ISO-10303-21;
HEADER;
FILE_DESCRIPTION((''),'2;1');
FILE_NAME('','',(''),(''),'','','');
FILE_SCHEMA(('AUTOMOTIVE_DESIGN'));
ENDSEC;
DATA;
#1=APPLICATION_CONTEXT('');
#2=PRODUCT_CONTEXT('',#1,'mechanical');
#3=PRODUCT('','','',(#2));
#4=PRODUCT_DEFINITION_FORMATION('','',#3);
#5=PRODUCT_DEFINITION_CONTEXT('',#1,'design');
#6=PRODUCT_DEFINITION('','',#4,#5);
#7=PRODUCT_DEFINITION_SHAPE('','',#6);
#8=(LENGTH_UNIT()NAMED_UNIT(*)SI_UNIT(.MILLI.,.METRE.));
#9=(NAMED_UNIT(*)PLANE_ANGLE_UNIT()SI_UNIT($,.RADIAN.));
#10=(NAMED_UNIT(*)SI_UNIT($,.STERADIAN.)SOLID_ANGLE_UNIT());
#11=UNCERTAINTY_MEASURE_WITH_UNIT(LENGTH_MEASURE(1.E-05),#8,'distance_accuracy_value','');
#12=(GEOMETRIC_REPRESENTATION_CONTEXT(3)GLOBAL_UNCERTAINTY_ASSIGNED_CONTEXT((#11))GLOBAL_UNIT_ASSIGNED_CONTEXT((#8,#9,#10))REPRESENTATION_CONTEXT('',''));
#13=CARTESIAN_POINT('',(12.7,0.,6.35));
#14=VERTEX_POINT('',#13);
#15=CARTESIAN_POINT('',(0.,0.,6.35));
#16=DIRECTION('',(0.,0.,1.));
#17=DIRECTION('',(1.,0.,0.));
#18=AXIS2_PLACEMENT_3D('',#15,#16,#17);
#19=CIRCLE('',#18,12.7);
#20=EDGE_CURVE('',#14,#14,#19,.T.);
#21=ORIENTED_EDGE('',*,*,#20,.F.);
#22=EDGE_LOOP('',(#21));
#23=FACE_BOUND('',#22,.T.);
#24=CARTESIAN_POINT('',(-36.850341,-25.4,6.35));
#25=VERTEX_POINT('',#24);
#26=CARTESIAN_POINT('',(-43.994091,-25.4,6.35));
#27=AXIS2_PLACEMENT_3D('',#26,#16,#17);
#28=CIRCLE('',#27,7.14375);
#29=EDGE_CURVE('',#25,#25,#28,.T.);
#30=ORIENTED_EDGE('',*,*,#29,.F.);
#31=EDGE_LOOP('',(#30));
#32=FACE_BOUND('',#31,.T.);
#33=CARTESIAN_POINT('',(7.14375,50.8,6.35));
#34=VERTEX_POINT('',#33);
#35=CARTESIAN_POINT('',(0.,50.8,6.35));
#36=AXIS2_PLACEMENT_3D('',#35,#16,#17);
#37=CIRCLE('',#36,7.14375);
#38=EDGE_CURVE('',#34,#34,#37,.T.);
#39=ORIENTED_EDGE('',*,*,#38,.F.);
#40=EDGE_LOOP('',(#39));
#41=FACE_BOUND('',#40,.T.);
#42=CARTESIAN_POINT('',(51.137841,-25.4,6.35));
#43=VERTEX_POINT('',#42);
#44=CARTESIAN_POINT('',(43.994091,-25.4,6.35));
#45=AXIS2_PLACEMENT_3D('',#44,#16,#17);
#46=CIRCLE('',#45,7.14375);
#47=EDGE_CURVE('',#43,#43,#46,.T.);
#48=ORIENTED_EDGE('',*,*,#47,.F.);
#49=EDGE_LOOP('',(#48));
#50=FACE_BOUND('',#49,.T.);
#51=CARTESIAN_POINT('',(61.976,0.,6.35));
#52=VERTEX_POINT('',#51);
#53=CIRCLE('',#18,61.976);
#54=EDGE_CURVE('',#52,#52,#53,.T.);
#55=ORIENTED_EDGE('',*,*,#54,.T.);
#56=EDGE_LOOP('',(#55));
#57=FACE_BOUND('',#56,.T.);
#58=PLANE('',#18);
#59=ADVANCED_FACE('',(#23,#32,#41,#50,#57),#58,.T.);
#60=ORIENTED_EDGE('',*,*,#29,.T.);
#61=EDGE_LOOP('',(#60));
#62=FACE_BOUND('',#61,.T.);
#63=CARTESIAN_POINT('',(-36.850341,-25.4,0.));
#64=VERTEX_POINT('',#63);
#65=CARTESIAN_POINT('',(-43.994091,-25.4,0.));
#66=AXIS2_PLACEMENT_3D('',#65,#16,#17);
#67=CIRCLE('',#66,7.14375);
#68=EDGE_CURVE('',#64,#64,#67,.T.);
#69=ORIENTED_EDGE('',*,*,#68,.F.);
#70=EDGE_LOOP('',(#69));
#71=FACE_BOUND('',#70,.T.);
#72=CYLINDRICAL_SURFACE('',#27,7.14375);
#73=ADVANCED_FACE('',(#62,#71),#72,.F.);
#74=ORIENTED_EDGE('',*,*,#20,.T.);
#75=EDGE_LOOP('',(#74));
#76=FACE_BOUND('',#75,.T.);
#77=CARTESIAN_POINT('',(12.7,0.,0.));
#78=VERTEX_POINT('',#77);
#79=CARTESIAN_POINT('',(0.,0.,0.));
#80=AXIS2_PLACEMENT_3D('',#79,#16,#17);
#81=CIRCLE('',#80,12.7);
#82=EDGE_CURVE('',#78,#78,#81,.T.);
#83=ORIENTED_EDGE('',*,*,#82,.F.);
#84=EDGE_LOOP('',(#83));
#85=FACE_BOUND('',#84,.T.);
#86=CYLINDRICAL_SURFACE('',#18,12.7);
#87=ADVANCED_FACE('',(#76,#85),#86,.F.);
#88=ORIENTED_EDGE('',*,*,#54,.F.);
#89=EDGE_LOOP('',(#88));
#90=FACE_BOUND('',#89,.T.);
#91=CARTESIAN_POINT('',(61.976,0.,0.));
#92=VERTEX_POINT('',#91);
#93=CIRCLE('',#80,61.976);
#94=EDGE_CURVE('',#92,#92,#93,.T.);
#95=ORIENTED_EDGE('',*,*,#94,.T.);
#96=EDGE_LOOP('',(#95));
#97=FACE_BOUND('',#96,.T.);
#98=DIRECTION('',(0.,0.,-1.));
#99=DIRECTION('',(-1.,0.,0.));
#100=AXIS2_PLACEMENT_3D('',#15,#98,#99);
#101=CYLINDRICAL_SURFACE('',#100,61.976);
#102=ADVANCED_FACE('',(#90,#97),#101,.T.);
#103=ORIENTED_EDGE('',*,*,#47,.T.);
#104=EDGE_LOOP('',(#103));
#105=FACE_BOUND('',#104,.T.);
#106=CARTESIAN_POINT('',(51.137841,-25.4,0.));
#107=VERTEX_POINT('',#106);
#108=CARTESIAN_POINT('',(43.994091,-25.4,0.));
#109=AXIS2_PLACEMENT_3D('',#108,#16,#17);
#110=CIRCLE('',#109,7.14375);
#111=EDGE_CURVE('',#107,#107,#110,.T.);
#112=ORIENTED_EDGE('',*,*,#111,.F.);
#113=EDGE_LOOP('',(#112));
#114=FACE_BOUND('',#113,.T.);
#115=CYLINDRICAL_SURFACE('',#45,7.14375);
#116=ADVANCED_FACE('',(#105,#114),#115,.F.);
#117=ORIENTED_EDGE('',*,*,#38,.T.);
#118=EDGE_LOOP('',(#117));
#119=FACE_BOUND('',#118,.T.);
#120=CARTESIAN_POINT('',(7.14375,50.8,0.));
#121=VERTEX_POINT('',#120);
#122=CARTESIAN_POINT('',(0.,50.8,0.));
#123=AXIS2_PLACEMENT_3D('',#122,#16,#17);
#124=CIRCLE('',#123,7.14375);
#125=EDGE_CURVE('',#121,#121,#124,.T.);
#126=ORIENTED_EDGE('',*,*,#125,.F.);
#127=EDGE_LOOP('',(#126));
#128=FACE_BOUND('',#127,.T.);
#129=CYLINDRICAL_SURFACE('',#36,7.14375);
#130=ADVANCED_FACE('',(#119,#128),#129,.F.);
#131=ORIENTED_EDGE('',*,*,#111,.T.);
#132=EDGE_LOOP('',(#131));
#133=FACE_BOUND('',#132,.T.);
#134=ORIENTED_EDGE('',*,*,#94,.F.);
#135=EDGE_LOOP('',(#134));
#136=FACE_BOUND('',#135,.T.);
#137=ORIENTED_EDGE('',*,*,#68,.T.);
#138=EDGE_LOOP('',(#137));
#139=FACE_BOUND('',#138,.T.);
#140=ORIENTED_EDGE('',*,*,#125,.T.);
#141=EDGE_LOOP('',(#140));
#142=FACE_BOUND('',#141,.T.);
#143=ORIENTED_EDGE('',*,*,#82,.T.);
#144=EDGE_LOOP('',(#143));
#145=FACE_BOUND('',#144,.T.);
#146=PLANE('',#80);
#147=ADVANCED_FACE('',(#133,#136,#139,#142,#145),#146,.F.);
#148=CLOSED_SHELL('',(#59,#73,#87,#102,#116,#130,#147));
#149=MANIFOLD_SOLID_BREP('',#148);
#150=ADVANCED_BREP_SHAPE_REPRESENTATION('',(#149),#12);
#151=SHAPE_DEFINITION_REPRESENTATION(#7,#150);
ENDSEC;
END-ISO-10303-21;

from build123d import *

# Parameters (mm, degrees)
SKETCH1_R                      = 61.976
BOSS_EXTRUDE1_DEPTH            = 6.35
F_1_1_DIAMETER_HOLE1_D         = 25.4
F_9_16_0_5625_DIAMETER_HOLE1_D = 14.2875


with BuildPart() as part:
    # Sketch1 → Boss-Extrude1 (new body)
    with BuildSketch(Plane.XY):
        Circle(SKETCH1_R)
    extrude(amount=BOSS_EXTRUDE1_DEPTH)

    # 1 (1) Diameter Hole1 (through all)
    with Locations(Plane.XY.offset(6.35)):
        with Locations((0, 0)):
            Hole(F_1_1_DIAMETER_HOLE1_D / 2)

    # 9/16 (0.5625) Diameter Hole1 (through all)
    with Locations(Plane.XY.offset(6.35)):
        with Locations((-43.994090512, -25.4), (43.994090512, -25.4), (0, 50.8)):
            Hole(F_9_16_0_5625_DIAMETER_HOLE1_D / 2)


solid = part.part
